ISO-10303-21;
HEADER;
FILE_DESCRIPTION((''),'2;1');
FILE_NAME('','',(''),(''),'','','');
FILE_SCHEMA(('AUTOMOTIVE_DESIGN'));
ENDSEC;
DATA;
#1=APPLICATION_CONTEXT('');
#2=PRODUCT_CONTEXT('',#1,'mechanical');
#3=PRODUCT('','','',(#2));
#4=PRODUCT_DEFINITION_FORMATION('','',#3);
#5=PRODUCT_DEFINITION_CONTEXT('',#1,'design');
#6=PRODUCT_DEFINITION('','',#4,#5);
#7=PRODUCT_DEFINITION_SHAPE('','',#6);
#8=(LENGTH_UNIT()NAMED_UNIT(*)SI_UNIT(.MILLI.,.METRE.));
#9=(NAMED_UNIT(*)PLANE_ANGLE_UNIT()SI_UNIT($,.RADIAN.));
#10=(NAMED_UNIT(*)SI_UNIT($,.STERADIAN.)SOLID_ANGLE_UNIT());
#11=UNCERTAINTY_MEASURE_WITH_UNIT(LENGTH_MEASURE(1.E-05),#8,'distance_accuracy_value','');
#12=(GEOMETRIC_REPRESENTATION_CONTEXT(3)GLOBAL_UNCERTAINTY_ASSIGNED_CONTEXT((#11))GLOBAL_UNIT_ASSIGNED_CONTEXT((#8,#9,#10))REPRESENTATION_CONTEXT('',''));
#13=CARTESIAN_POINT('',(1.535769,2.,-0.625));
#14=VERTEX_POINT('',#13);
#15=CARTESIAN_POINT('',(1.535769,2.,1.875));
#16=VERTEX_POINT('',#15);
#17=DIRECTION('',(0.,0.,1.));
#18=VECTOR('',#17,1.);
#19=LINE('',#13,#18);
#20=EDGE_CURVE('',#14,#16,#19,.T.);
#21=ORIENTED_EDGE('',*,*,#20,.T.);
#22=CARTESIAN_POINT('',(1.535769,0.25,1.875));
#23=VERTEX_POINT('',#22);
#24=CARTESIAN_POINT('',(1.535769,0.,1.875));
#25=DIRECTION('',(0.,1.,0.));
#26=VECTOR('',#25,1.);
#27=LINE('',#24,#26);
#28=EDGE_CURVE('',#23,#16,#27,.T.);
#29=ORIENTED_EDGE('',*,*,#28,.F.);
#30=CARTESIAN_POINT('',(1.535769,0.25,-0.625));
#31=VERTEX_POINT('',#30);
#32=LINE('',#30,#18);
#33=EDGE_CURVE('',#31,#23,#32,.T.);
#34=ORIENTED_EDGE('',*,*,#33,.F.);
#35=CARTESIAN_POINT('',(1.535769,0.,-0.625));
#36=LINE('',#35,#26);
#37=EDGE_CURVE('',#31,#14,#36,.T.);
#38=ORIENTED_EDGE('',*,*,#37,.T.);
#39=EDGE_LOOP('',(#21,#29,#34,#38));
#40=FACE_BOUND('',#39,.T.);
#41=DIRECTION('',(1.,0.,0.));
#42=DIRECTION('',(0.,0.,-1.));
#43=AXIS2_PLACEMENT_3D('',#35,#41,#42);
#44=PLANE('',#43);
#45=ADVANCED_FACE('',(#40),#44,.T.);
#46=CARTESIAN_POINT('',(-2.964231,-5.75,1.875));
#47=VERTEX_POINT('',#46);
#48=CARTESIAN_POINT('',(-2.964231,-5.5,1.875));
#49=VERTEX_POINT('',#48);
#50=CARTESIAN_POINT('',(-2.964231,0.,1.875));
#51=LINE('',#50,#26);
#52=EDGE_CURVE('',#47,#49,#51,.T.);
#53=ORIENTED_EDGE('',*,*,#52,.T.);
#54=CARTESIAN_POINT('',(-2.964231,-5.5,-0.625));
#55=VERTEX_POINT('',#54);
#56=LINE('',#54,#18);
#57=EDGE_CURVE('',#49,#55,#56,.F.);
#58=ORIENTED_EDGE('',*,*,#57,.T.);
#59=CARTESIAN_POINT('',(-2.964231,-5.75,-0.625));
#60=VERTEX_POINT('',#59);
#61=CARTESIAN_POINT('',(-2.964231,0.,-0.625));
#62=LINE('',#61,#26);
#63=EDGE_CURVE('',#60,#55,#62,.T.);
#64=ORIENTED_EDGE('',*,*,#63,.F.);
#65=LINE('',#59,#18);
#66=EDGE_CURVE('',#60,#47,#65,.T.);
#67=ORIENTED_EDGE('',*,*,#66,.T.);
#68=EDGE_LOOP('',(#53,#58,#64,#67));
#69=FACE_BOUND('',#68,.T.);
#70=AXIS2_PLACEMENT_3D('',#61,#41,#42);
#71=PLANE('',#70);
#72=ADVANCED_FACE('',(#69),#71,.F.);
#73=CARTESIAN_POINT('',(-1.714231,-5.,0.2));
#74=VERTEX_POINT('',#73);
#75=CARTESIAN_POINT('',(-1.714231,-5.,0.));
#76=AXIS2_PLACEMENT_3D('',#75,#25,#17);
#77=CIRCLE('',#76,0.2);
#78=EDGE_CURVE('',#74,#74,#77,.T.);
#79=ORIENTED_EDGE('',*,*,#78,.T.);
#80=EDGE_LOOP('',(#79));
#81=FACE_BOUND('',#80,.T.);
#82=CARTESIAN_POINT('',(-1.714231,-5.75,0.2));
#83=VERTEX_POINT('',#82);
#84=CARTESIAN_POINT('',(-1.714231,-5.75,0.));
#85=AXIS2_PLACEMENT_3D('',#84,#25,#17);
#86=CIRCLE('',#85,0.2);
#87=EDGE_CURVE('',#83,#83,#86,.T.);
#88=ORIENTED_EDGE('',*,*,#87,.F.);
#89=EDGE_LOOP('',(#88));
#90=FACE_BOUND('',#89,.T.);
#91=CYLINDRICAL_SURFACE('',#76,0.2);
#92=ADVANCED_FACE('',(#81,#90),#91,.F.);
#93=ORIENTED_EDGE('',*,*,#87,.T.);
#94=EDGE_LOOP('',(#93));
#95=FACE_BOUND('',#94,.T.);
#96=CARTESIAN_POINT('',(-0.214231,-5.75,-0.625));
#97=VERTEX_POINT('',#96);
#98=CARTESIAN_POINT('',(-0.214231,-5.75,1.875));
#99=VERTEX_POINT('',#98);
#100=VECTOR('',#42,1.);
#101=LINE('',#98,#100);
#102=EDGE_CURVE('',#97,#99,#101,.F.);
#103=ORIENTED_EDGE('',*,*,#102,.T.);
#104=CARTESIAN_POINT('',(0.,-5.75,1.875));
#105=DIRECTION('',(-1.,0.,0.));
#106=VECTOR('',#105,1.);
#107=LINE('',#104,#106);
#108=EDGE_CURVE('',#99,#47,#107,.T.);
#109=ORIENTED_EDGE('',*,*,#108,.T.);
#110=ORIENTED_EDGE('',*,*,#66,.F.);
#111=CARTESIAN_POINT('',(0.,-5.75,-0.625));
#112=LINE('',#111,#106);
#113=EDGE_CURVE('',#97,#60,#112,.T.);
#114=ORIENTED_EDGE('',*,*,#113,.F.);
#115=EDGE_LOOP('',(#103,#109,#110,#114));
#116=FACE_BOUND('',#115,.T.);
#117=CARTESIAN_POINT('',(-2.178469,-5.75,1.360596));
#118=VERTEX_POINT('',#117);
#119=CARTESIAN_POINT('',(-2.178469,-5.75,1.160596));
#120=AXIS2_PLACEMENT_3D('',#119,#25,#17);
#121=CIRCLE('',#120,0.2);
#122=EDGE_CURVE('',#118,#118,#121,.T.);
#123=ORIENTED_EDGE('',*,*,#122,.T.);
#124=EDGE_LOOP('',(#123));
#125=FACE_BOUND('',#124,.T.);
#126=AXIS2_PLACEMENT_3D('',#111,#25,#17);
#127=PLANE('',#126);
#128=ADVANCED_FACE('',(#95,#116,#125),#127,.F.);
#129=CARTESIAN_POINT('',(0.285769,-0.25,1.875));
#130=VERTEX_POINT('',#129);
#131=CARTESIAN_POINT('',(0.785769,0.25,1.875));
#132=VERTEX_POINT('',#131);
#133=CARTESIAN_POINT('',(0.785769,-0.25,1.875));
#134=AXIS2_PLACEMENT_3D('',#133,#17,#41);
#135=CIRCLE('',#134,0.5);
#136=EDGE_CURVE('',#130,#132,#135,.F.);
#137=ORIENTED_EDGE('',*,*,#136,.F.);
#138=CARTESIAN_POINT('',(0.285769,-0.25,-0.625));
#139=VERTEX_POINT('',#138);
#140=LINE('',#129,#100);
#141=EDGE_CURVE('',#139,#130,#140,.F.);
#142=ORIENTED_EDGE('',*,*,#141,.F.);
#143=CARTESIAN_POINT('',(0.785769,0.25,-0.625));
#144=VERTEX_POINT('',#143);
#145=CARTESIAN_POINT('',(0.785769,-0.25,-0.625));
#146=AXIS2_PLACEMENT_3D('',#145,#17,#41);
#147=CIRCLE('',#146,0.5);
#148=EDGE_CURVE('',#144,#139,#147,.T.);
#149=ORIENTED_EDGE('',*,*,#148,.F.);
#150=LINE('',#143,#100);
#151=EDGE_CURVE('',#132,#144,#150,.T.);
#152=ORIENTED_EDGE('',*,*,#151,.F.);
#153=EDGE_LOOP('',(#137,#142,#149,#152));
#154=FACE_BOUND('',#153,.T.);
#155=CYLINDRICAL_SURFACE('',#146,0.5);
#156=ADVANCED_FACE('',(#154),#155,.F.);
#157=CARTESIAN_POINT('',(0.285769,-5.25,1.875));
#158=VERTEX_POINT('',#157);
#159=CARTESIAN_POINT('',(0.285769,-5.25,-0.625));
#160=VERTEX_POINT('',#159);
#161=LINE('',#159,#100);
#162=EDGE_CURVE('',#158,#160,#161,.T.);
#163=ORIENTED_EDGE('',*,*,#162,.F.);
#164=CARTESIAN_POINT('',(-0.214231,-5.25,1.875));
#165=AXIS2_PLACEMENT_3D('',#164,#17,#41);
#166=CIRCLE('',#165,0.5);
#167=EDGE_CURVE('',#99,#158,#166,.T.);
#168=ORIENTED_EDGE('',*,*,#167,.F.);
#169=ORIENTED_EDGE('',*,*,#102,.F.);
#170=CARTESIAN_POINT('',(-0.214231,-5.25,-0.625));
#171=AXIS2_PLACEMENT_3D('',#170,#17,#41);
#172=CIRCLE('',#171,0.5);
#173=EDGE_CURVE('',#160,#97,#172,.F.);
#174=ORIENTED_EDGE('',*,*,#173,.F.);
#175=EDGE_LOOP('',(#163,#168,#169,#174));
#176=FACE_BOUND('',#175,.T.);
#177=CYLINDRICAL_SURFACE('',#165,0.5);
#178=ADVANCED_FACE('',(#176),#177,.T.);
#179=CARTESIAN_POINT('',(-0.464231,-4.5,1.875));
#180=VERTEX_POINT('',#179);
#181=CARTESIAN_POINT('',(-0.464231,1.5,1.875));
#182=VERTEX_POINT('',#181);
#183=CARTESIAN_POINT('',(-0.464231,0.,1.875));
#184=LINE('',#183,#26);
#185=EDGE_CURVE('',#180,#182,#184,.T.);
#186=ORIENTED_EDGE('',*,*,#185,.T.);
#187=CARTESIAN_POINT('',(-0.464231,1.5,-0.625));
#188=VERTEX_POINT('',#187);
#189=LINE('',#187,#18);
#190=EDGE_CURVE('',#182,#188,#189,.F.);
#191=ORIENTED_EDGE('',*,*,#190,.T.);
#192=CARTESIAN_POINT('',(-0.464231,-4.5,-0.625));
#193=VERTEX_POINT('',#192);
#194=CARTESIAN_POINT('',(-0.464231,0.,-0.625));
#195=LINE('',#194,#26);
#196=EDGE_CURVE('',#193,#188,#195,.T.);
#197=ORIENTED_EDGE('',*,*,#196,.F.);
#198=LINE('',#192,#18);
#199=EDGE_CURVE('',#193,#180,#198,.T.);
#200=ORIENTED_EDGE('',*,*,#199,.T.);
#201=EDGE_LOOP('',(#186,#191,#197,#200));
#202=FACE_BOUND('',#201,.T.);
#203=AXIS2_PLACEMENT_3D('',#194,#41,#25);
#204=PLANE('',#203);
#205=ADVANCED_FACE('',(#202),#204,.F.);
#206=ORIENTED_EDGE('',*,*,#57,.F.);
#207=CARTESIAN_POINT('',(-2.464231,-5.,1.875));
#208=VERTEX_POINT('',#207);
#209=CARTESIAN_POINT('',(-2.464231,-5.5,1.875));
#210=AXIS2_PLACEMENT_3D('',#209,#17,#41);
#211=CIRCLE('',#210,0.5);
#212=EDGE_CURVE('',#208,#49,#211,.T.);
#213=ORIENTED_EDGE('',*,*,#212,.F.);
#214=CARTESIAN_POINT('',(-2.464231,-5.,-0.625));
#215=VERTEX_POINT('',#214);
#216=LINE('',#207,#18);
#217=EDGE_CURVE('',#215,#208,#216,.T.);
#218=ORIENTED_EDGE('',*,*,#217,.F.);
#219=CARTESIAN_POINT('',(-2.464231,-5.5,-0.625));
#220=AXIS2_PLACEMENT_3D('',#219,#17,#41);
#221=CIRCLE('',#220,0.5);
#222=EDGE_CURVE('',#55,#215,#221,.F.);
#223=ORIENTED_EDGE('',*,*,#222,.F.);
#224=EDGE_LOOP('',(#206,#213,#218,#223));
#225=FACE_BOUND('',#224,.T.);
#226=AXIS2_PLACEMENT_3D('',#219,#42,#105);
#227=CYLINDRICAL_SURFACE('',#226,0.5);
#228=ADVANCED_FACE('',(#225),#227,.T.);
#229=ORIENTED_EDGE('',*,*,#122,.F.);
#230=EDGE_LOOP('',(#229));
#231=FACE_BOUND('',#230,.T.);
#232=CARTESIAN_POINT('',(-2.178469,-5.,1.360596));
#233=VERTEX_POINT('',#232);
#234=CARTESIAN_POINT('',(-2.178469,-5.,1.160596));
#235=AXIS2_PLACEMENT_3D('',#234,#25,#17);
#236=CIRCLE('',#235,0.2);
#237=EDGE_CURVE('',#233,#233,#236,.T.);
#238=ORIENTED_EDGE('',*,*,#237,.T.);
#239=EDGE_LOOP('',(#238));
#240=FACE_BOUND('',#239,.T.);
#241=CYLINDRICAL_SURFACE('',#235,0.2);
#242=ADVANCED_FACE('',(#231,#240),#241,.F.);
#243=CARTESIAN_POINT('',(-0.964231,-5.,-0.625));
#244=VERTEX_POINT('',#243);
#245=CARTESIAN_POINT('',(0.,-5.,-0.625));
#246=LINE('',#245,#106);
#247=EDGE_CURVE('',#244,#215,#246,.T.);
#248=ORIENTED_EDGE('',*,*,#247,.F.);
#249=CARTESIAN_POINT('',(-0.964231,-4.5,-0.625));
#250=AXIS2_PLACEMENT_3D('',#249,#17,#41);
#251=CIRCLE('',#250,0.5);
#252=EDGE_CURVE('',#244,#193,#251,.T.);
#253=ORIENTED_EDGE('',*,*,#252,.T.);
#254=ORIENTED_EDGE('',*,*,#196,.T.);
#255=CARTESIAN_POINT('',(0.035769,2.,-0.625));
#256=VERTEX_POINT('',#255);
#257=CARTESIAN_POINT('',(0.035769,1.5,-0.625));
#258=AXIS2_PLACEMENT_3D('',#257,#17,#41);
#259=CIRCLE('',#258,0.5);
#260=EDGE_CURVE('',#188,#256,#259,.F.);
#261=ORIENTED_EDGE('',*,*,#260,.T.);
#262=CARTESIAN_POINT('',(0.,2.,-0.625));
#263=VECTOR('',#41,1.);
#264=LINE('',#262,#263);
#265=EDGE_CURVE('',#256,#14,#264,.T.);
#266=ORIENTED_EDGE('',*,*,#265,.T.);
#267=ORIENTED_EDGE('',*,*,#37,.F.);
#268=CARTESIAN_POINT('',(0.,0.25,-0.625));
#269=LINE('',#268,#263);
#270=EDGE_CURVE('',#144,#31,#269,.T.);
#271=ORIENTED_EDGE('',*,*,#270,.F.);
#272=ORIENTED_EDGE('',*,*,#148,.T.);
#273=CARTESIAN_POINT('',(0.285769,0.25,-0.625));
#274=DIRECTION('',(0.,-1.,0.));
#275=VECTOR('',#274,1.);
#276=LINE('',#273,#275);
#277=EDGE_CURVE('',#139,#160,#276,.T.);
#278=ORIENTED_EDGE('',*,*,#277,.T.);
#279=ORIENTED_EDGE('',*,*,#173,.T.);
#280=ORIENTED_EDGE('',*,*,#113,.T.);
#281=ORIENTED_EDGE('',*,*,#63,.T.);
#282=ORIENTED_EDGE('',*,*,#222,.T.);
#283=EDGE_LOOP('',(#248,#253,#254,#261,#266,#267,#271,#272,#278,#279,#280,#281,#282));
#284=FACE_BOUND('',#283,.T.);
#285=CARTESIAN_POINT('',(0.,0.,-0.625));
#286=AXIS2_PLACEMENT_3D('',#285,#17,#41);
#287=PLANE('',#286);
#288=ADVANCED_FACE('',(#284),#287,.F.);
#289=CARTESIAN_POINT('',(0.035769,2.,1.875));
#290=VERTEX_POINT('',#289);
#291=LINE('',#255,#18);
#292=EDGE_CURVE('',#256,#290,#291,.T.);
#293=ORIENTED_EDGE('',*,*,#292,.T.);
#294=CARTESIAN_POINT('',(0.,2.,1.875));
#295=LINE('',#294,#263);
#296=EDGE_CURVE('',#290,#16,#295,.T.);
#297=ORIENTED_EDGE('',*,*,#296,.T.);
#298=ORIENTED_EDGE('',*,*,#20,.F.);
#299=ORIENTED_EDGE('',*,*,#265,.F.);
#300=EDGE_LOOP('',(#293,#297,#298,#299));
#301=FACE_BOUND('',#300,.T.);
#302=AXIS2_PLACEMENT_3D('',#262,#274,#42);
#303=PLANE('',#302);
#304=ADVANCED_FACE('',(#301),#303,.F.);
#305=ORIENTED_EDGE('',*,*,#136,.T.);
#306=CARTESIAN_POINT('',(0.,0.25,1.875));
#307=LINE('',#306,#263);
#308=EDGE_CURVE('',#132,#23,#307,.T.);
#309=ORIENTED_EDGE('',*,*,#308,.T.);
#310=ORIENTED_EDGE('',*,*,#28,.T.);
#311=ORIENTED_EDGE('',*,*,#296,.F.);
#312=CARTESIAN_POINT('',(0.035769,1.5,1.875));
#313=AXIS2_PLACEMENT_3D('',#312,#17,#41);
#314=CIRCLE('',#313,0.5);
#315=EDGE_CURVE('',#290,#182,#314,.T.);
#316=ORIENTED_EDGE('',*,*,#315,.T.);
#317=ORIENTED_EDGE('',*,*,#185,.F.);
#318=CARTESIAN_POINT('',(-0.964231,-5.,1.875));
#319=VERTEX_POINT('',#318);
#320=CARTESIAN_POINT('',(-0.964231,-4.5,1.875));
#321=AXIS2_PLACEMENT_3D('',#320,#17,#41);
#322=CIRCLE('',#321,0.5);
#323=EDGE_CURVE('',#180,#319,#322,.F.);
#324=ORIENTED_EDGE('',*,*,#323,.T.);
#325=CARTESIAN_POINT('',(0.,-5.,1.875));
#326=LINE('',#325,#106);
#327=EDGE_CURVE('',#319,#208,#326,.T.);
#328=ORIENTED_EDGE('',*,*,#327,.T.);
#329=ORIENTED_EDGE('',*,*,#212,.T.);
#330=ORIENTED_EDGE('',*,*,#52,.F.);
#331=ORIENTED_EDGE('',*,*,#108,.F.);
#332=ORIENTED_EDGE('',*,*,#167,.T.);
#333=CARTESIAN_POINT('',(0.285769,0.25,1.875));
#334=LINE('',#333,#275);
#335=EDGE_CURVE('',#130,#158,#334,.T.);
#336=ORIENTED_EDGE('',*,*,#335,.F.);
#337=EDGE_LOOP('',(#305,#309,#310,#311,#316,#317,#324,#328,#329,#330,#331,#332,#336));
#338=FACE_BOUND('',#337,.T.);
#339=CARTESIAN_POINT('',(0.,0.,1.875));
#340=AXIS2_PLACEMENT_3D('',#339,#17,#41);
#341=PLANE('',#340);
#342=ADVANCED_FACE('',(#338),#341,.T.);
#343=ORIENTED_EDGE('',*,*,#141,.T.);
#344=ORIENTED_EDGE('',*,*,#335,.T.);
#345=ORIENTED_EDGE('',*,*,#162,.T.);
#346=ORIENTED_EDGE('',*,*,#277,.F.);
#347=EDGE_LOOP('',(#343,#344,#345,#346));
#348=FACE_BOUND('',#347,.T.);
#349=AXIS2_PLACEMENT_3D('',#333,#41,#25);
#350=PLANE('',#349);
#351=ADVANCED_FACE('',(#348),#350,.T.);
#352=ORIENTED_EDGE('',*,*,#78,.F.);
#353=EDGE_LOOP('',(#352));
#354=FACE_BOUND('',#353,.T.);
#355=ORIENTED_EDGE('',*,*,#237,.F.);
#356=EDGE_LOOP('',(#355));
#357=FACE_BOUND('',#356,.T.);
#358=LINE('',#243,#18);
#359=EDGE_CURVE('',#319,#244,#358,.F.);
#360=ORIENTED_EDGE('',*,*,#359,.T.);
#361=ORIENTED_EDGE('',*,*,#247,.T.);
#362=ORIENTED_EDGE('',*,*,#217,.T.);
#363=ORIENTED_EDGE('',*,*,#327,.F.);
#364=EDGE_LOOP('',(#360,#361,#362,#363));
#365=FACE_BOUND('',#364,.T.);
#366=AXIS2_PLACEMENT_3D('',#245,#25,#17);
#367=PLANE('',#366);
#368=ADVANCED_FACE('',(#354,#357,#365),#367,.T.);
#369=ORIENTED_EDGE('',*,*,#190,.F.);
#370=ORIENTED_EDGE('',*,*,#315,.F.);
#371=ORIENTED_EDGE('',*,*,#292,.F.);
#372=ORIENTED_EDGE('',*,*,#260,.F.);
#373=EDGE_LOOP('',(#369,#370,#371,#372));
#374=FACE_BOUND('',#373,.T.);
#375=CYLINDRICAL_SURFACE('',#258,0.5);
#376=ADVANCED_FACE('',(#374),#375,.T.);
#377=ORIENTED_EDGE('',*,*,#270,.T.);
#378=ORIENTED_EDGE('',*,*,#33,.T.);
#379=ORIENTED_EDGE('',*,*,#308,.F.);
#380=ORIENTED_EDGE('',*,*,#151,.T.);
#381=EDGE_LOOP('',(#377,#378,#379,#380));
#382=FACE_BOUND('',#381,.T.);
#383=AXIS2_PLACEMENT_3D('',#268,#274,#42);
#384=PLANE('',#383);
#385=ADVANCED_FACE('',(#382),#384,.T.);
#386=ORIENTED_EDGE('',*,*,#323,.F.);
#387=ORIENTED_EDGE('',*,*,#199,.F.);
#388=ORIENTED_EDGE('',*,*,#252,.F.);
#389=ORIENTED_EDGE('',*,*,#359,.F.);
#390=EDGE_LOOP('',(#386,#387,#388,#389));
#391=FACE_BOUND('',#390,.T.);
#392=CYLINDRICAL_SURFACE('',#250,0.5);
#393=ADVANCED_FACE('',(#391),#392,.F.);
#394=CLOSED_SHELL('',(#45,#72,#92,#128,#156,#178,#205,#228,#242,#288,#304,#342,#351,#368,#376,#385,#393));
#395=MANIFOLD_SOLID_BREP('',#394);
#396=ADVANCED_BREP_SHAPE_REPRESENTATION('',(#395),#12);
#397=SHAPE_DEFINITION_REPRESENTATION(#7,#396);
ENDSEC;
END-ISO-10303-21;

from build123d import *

# Parameters (mm, degrees)
SKETCH1_W                  = 2.5
SKETCH1_H                  = 0.75
BOSS_EXTRUDE1_DEPTH        = 1.875
BOSS_EXTRUDE1_DEPTH_BACK   = 0.625
FILLET1_R                  = 0.5
F_0_4_0_4_DIAMETER_HOLE1_D = 0.4


with BuildPart() as part:
    # Sketch1 → Boss-Extrude1 (new body, two sides)
    with BuildSketch(Plane.XY) as boss_extrude1_sk:
        Polygon((0.285769435, 0.25), (-0.464230565, 0.25), (-0.464230565, -5), (-0.464230565, -5.75), (0.285769435, -5.75), align=None)
        Polygon((-0.464230565, 2), (-0.464230565, 0.25), (0.285769435, 0.25), (1.535769435, 0.25), (1.535769435, 2), align=None)
        with Locations((-1.714230565, -5.375)):
            Rectangle(SKETCH1_W, SKETCH1_H)
    extrude(amount=BOSS_EXTRUDE1_DEPTH)
    extrude(boss_extrude1_sk.sketch, amount=-BOSS_EXTRUDE1_DEPTH_BACK)

    # Fillet1
    fillet1_edges = [part.edges().sort_by_distance(p)[0] for p in [
        (0.285769435, 0.25, 0.625),
        (-2.964230565, -5, 0.625),
        (-0.464230565, -5, 0.625),
        (0.285769435, -5.75, 0.625),
        (-0.464230565, 2, 0.625),
    ]]
    fillet(fillet1_edges, radius=FILLET1_R)

    # Ø0.4 (0.4) Diameter Hole1 (through all)
    with Locations(Plane(origin=(0, -5, 0), x_dir=(1, 0, 0), z_dir=(0, 1, 0))):
        with Locations((-1.714230565, 0), (-2.17846891, -1.160595864)):
            Hole(F_0_4_0_4_DIAMETER_HOLE1_D / 2)


solid = part.part
